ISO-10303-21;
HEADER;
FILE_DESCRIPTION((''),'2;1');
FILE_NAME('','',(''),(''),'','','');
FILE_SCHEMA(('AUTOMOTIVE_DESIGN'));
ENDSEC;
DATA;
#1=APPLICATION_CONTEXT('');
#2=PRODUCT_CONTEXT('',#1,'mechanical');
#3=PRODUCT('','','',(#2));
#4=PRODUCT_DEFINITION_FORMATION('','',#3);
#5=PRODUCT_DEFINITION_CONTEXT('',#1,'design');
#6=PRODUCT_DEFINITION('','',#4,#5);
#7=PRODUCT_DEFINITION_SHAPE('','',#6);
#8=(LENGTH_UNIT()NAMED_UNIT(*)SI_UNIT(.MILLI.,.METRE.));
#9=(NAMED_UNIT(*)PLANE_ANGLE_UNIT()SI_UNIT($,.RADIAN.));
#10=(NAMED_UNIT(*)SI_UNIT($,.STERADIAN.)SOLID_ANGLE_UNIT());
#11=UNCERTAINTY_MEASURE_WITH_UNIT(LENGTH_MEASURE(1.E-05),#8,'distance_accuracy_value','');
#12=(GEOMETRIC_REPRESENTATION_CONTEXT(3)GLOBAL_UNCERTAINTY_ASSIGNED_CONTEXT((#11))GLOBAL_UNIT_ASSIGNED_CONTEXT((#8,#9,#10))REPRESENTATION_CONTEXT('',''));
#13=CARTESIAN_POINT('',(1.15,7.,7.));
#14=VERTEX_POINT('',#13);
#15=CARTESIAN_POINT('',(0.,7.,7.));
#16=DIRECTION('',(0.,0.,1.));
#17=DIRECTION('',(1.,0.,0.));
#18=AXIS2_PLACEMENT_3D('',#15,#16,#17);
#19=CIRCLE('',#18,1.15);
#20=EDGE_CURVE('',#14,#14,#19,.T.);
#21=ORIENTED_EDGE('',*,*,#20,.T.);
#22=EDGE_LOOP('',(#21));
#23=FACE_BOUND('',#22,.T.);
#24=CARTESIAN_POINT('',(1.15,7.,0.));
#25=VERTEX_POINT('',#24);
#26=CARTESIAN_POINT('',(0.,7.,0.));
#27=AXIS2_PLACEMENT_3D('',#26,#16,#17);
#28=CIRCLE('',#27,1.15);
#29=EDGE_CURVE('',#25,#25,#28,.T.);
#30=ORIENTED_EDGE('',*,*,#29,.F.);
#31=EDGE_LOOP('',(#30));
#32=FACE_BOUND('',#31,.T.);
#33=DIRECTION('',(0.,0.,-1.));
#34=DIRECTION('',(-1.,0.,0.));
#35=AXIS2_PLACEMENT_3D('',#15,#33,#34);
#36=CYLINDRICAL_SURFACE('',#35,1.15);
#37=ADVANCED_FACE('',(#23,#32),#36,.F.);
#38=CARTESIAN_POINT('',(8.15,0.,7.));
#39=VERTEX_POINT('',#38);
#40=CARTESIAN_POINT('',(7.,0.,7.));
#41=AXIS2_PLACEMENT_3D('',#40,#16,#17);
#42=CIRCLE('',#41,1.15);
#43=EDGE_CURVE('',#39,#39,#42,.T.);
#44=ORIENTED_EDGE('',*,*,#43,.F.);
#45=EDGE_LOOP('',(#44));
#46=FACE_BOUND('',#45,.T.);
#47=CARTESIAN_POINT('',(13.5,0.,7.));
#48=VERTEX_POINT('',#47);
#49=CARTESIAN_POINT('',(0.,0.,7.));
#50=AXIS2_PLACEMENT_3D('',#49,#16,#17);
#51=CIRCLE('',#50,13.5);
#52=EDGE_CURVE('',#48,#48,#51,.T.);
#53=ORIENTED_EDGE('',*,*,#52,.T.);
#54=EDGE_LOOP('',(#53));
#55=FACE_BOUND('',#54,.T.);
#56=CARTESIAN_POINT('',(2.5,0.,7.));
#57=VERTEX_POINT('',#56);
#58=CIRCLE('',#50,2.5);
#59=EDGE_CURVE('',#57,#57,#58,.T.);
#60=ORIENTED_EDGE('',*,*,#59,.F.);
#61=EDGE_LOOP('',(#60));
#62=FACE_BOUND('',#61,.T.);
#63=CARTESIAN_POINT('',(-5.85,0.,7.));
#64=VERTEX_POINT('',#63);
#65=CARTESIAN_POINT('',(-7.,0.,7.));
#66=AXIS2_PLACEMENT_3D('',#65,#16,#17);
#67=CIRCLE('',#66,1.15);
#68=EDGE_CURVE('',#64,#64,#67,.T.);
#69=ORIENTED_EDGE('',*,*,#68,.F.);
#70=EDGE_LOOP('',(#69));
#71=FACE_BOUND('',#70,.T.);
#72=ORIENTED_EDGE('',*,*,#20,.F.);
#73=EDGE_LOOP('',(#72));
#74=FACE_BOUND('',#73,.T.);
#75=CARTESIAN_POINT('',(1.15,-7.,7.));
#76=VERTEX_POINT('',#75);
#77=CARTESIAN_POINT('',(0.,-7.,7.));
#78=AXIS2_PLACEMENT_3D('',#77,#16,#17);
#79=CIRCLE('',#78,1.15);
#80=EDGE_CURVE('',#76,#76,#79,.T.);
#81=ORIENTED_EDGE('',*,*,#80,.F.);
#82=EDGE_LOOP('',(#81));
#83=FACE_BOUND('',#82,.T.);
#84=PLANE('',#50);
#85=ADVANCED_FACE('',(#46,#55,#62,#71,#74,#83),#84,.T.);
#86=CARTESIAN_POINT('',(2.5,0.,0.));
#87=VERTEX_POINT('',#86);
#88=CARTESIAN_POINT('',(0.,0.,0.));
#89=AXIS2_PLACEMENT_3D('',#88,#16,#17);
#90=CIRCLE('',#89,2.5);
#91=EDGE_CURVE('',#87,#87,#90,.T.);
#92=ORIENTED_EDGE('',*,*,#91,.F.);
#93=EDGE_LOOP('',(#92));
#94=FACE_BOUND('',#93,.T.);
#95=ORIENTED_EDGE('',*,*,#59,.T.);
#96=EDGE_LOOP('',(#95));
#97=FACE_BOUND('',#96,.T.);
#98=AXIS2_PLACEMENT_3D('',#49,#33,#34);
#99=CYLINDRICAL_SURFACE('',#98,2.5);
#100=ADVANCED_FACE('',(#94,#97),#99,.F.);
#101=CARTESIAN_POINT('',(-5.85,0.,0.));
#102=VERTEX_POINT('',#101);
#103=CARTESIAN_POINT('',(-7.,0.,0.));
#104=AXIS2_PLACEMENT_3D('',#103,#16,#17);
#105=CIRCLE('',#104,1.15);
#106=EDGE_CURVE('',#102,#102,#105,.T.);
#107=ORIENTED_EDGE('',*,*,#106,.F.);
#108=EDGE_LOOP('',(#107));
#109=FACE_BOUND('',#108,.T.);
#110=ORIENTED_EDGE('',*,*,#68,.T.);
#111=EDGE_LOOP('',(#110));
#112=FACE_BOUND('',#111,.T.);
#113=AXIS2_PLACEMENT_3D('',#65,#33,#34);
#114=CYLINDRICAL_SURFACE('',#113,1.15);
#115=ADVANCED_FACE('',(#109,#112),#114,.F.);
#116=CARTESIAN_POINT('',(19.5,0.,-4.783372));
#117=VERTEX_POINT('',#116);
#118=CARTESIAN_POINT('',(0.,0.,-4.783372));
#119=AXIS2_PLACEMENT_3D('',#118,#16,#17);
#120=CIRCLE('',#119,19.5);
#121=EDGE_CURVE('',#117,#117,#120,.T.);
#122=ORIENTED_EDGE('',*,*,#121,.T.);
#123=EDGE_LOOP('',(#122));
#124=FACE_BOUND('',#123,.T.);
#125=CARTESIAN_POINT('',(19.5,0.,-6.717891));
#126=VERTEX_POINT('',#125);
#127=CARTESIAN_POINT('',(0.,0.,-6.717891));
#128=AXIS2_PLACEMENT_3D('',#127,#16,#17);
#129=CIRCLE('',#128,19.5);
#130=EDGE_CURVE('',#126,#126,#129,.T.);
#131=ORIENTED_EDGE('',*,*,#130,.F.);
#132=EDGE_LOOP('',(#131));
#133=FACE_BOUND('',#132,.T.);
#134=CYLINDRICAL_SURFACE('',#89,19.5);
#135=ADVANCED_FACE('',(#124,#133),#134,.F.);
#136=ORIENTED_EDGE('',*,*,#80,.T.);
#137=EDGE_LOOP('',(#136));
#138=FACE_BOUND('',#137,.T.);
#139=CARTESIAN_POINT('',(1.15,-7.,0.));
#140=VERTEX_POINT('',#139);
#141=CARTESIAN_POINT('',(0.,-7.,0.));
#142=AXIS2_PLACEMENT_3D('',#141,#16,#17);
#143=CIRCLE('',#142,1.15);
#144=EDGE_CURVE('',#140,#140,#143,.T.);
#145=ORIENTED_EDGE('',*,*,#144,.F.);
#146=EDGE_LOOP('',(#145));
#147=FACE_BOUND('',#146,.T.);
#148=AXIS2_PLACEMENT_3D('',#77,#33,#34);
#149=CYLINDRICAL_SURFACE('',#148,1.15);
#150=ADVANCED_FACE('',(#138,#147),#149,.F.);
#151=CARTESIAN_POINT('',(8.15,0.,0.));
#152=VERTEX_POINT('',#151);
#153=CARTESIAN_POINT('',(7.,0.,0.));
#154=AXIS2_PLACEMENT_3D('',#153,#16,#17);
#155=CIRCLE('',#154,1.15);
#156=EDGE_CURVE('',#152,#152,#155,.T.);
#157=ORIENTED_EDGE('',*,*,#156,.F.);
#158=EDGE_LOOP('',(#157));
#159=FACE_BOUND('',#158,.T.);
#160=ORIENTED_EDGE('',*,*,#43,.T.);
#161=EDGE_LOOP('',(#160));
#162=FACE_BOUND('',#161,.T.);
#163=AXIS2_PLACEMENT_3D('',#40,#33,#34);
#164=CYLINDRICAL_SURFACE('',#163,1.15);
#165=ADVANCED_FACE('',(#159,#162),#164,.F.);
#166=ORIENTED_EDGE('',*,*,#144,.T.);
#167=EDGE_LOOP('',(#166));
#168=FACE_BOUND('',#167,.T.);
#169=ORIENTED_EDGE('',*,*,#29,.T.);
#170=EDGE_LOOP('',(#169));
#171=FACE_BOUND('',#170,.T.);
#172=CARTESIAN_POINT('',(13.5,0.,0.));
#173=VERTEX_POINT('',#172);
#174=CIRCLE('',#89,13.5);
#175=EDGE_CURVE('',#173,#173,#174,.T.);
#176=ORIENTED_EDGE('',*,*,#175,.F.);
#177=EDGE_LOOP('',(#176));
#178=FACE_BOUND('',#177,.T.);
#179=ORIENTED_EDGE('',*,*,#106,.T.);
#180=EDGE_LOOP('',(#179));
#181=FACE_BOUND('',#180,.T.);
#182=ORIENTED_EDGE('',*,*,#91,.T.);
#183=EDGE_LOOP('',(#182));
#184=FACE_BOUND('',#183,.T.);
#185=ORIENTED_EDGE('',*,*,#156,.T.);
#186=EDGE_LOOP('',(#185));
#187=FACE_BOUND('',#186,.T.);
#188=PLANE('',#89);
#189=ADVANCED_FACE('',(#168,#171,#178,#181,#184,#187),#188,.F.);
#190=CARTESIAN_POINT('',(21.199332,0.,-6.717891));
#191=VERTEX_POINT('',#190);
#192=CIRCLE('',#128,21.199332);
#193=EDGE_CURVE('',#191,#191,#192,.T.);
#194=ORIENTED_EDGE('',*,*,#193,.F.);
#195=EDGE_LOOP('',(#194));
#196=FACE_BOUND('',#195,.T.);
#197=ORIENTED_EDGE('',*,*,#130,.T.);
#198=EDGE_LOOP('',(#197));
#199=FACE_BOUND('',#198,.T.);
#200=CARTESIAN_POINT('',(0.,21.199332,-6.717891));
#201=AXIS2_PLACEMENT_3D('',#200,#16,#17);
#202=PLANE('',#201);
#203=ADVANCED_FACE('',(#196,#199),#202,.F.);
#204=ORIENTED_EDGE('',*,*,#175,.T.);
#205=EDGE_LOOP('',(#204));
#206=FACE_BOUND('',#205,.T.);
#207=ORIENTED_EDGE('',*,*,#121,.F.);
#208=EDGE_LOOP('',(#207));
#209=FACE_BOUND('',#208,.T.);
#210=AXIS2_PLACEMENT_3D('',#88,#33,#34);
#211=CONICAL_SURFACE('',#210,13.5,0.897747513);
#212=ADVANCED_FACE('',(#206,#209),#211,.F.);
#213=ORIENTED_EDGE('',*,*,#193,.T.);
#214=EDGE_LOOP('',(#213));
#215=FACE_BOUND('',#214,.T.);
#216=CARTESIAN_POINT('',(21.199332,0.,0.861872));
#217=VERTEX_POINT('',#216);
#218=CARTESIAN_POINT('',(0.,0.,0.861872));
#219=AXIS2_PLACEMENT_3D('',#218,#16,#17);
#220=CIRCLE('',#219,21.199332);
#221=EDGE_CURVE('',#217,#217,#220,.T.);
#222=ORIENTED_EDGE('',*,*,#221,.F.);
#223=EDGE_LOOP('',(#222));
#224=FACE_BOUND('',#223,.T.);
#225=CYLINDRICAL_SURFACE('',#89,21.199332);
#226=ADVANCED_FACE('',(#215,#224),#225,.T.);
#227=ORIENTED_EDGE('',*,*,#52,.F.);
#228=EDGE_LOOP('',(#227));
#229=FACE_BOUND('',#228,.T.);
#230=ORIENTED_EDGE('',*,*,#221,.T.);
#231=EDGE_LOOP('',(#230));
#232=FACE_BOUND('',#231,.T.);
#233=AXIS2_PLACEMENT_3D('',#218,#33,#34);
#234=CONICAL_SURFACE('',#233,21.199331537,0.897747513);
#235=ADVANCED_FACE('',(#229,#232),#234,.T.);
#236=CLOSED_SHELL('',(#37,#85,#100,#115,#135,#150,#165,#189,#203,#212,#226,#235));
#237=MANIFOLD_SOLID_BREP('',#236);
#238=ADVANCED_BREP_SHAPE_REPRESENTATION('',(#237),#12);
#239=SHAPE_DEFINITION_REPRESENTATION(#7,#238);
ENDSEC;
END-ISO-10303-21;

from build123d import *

# Parameters (mm, degrees)
SKETCH_1_R      = 13.5
SKETCH_1_R_2    = 1.15
SKETCH_1_R_3    = 2.5
EXTRUDE_1_DEPTH = 7


with BuildPart() as part:
    # 草图1 → 凸台-拉伸1 (new body)
    with BuildSketch(Plane.XY):
        Circle(SKETCH_1_R)
        with Locations((0, 7)):
            Circle(SKETCH_1_R_2, mode=Mode.SUBTRACT)
        with Locations((0, -7)):
            Circle(SKETCH_1_R_2, mode=Mode.SUBTRACT)
        with Locations((7, 0)):
            Circle(SKETCH_1_R_2, mode=Mode.SUBTRACT)
        with Locations((-7, 0)):
            Circle(SKETCH_1_R_2, mode=Mode.SUBTRACT)
        Circle(SKETCH_1_R_3, mode=Mode.SUBTRACT)
    extrude(amount=EXTRUDE_1_DEPTH)

    # 草图2 → 旋转1 (revolve)
    with BuildSketch(Plane(origin=(0, 0, 0), x_dir=(0, 0, -1), z_dir=(1, 0, 0)), mode=Mode.PRIVATE) as revolve_1_sk:
        Polygon((-7, 13.5), (-0.861872247, 21.199331537), (6.717890827, 21.199331537), (6.717890827, 19.5), (4.783371951, 19.5), (0, 13.5), align=None)
    revolve(revolve_1_sk.sketch.rotate(Axis((0, 0, 0), (0, 0, -1)), 90), axis=Axis((0, 0, 0), (0, 0, -1)))


solid = part.part
